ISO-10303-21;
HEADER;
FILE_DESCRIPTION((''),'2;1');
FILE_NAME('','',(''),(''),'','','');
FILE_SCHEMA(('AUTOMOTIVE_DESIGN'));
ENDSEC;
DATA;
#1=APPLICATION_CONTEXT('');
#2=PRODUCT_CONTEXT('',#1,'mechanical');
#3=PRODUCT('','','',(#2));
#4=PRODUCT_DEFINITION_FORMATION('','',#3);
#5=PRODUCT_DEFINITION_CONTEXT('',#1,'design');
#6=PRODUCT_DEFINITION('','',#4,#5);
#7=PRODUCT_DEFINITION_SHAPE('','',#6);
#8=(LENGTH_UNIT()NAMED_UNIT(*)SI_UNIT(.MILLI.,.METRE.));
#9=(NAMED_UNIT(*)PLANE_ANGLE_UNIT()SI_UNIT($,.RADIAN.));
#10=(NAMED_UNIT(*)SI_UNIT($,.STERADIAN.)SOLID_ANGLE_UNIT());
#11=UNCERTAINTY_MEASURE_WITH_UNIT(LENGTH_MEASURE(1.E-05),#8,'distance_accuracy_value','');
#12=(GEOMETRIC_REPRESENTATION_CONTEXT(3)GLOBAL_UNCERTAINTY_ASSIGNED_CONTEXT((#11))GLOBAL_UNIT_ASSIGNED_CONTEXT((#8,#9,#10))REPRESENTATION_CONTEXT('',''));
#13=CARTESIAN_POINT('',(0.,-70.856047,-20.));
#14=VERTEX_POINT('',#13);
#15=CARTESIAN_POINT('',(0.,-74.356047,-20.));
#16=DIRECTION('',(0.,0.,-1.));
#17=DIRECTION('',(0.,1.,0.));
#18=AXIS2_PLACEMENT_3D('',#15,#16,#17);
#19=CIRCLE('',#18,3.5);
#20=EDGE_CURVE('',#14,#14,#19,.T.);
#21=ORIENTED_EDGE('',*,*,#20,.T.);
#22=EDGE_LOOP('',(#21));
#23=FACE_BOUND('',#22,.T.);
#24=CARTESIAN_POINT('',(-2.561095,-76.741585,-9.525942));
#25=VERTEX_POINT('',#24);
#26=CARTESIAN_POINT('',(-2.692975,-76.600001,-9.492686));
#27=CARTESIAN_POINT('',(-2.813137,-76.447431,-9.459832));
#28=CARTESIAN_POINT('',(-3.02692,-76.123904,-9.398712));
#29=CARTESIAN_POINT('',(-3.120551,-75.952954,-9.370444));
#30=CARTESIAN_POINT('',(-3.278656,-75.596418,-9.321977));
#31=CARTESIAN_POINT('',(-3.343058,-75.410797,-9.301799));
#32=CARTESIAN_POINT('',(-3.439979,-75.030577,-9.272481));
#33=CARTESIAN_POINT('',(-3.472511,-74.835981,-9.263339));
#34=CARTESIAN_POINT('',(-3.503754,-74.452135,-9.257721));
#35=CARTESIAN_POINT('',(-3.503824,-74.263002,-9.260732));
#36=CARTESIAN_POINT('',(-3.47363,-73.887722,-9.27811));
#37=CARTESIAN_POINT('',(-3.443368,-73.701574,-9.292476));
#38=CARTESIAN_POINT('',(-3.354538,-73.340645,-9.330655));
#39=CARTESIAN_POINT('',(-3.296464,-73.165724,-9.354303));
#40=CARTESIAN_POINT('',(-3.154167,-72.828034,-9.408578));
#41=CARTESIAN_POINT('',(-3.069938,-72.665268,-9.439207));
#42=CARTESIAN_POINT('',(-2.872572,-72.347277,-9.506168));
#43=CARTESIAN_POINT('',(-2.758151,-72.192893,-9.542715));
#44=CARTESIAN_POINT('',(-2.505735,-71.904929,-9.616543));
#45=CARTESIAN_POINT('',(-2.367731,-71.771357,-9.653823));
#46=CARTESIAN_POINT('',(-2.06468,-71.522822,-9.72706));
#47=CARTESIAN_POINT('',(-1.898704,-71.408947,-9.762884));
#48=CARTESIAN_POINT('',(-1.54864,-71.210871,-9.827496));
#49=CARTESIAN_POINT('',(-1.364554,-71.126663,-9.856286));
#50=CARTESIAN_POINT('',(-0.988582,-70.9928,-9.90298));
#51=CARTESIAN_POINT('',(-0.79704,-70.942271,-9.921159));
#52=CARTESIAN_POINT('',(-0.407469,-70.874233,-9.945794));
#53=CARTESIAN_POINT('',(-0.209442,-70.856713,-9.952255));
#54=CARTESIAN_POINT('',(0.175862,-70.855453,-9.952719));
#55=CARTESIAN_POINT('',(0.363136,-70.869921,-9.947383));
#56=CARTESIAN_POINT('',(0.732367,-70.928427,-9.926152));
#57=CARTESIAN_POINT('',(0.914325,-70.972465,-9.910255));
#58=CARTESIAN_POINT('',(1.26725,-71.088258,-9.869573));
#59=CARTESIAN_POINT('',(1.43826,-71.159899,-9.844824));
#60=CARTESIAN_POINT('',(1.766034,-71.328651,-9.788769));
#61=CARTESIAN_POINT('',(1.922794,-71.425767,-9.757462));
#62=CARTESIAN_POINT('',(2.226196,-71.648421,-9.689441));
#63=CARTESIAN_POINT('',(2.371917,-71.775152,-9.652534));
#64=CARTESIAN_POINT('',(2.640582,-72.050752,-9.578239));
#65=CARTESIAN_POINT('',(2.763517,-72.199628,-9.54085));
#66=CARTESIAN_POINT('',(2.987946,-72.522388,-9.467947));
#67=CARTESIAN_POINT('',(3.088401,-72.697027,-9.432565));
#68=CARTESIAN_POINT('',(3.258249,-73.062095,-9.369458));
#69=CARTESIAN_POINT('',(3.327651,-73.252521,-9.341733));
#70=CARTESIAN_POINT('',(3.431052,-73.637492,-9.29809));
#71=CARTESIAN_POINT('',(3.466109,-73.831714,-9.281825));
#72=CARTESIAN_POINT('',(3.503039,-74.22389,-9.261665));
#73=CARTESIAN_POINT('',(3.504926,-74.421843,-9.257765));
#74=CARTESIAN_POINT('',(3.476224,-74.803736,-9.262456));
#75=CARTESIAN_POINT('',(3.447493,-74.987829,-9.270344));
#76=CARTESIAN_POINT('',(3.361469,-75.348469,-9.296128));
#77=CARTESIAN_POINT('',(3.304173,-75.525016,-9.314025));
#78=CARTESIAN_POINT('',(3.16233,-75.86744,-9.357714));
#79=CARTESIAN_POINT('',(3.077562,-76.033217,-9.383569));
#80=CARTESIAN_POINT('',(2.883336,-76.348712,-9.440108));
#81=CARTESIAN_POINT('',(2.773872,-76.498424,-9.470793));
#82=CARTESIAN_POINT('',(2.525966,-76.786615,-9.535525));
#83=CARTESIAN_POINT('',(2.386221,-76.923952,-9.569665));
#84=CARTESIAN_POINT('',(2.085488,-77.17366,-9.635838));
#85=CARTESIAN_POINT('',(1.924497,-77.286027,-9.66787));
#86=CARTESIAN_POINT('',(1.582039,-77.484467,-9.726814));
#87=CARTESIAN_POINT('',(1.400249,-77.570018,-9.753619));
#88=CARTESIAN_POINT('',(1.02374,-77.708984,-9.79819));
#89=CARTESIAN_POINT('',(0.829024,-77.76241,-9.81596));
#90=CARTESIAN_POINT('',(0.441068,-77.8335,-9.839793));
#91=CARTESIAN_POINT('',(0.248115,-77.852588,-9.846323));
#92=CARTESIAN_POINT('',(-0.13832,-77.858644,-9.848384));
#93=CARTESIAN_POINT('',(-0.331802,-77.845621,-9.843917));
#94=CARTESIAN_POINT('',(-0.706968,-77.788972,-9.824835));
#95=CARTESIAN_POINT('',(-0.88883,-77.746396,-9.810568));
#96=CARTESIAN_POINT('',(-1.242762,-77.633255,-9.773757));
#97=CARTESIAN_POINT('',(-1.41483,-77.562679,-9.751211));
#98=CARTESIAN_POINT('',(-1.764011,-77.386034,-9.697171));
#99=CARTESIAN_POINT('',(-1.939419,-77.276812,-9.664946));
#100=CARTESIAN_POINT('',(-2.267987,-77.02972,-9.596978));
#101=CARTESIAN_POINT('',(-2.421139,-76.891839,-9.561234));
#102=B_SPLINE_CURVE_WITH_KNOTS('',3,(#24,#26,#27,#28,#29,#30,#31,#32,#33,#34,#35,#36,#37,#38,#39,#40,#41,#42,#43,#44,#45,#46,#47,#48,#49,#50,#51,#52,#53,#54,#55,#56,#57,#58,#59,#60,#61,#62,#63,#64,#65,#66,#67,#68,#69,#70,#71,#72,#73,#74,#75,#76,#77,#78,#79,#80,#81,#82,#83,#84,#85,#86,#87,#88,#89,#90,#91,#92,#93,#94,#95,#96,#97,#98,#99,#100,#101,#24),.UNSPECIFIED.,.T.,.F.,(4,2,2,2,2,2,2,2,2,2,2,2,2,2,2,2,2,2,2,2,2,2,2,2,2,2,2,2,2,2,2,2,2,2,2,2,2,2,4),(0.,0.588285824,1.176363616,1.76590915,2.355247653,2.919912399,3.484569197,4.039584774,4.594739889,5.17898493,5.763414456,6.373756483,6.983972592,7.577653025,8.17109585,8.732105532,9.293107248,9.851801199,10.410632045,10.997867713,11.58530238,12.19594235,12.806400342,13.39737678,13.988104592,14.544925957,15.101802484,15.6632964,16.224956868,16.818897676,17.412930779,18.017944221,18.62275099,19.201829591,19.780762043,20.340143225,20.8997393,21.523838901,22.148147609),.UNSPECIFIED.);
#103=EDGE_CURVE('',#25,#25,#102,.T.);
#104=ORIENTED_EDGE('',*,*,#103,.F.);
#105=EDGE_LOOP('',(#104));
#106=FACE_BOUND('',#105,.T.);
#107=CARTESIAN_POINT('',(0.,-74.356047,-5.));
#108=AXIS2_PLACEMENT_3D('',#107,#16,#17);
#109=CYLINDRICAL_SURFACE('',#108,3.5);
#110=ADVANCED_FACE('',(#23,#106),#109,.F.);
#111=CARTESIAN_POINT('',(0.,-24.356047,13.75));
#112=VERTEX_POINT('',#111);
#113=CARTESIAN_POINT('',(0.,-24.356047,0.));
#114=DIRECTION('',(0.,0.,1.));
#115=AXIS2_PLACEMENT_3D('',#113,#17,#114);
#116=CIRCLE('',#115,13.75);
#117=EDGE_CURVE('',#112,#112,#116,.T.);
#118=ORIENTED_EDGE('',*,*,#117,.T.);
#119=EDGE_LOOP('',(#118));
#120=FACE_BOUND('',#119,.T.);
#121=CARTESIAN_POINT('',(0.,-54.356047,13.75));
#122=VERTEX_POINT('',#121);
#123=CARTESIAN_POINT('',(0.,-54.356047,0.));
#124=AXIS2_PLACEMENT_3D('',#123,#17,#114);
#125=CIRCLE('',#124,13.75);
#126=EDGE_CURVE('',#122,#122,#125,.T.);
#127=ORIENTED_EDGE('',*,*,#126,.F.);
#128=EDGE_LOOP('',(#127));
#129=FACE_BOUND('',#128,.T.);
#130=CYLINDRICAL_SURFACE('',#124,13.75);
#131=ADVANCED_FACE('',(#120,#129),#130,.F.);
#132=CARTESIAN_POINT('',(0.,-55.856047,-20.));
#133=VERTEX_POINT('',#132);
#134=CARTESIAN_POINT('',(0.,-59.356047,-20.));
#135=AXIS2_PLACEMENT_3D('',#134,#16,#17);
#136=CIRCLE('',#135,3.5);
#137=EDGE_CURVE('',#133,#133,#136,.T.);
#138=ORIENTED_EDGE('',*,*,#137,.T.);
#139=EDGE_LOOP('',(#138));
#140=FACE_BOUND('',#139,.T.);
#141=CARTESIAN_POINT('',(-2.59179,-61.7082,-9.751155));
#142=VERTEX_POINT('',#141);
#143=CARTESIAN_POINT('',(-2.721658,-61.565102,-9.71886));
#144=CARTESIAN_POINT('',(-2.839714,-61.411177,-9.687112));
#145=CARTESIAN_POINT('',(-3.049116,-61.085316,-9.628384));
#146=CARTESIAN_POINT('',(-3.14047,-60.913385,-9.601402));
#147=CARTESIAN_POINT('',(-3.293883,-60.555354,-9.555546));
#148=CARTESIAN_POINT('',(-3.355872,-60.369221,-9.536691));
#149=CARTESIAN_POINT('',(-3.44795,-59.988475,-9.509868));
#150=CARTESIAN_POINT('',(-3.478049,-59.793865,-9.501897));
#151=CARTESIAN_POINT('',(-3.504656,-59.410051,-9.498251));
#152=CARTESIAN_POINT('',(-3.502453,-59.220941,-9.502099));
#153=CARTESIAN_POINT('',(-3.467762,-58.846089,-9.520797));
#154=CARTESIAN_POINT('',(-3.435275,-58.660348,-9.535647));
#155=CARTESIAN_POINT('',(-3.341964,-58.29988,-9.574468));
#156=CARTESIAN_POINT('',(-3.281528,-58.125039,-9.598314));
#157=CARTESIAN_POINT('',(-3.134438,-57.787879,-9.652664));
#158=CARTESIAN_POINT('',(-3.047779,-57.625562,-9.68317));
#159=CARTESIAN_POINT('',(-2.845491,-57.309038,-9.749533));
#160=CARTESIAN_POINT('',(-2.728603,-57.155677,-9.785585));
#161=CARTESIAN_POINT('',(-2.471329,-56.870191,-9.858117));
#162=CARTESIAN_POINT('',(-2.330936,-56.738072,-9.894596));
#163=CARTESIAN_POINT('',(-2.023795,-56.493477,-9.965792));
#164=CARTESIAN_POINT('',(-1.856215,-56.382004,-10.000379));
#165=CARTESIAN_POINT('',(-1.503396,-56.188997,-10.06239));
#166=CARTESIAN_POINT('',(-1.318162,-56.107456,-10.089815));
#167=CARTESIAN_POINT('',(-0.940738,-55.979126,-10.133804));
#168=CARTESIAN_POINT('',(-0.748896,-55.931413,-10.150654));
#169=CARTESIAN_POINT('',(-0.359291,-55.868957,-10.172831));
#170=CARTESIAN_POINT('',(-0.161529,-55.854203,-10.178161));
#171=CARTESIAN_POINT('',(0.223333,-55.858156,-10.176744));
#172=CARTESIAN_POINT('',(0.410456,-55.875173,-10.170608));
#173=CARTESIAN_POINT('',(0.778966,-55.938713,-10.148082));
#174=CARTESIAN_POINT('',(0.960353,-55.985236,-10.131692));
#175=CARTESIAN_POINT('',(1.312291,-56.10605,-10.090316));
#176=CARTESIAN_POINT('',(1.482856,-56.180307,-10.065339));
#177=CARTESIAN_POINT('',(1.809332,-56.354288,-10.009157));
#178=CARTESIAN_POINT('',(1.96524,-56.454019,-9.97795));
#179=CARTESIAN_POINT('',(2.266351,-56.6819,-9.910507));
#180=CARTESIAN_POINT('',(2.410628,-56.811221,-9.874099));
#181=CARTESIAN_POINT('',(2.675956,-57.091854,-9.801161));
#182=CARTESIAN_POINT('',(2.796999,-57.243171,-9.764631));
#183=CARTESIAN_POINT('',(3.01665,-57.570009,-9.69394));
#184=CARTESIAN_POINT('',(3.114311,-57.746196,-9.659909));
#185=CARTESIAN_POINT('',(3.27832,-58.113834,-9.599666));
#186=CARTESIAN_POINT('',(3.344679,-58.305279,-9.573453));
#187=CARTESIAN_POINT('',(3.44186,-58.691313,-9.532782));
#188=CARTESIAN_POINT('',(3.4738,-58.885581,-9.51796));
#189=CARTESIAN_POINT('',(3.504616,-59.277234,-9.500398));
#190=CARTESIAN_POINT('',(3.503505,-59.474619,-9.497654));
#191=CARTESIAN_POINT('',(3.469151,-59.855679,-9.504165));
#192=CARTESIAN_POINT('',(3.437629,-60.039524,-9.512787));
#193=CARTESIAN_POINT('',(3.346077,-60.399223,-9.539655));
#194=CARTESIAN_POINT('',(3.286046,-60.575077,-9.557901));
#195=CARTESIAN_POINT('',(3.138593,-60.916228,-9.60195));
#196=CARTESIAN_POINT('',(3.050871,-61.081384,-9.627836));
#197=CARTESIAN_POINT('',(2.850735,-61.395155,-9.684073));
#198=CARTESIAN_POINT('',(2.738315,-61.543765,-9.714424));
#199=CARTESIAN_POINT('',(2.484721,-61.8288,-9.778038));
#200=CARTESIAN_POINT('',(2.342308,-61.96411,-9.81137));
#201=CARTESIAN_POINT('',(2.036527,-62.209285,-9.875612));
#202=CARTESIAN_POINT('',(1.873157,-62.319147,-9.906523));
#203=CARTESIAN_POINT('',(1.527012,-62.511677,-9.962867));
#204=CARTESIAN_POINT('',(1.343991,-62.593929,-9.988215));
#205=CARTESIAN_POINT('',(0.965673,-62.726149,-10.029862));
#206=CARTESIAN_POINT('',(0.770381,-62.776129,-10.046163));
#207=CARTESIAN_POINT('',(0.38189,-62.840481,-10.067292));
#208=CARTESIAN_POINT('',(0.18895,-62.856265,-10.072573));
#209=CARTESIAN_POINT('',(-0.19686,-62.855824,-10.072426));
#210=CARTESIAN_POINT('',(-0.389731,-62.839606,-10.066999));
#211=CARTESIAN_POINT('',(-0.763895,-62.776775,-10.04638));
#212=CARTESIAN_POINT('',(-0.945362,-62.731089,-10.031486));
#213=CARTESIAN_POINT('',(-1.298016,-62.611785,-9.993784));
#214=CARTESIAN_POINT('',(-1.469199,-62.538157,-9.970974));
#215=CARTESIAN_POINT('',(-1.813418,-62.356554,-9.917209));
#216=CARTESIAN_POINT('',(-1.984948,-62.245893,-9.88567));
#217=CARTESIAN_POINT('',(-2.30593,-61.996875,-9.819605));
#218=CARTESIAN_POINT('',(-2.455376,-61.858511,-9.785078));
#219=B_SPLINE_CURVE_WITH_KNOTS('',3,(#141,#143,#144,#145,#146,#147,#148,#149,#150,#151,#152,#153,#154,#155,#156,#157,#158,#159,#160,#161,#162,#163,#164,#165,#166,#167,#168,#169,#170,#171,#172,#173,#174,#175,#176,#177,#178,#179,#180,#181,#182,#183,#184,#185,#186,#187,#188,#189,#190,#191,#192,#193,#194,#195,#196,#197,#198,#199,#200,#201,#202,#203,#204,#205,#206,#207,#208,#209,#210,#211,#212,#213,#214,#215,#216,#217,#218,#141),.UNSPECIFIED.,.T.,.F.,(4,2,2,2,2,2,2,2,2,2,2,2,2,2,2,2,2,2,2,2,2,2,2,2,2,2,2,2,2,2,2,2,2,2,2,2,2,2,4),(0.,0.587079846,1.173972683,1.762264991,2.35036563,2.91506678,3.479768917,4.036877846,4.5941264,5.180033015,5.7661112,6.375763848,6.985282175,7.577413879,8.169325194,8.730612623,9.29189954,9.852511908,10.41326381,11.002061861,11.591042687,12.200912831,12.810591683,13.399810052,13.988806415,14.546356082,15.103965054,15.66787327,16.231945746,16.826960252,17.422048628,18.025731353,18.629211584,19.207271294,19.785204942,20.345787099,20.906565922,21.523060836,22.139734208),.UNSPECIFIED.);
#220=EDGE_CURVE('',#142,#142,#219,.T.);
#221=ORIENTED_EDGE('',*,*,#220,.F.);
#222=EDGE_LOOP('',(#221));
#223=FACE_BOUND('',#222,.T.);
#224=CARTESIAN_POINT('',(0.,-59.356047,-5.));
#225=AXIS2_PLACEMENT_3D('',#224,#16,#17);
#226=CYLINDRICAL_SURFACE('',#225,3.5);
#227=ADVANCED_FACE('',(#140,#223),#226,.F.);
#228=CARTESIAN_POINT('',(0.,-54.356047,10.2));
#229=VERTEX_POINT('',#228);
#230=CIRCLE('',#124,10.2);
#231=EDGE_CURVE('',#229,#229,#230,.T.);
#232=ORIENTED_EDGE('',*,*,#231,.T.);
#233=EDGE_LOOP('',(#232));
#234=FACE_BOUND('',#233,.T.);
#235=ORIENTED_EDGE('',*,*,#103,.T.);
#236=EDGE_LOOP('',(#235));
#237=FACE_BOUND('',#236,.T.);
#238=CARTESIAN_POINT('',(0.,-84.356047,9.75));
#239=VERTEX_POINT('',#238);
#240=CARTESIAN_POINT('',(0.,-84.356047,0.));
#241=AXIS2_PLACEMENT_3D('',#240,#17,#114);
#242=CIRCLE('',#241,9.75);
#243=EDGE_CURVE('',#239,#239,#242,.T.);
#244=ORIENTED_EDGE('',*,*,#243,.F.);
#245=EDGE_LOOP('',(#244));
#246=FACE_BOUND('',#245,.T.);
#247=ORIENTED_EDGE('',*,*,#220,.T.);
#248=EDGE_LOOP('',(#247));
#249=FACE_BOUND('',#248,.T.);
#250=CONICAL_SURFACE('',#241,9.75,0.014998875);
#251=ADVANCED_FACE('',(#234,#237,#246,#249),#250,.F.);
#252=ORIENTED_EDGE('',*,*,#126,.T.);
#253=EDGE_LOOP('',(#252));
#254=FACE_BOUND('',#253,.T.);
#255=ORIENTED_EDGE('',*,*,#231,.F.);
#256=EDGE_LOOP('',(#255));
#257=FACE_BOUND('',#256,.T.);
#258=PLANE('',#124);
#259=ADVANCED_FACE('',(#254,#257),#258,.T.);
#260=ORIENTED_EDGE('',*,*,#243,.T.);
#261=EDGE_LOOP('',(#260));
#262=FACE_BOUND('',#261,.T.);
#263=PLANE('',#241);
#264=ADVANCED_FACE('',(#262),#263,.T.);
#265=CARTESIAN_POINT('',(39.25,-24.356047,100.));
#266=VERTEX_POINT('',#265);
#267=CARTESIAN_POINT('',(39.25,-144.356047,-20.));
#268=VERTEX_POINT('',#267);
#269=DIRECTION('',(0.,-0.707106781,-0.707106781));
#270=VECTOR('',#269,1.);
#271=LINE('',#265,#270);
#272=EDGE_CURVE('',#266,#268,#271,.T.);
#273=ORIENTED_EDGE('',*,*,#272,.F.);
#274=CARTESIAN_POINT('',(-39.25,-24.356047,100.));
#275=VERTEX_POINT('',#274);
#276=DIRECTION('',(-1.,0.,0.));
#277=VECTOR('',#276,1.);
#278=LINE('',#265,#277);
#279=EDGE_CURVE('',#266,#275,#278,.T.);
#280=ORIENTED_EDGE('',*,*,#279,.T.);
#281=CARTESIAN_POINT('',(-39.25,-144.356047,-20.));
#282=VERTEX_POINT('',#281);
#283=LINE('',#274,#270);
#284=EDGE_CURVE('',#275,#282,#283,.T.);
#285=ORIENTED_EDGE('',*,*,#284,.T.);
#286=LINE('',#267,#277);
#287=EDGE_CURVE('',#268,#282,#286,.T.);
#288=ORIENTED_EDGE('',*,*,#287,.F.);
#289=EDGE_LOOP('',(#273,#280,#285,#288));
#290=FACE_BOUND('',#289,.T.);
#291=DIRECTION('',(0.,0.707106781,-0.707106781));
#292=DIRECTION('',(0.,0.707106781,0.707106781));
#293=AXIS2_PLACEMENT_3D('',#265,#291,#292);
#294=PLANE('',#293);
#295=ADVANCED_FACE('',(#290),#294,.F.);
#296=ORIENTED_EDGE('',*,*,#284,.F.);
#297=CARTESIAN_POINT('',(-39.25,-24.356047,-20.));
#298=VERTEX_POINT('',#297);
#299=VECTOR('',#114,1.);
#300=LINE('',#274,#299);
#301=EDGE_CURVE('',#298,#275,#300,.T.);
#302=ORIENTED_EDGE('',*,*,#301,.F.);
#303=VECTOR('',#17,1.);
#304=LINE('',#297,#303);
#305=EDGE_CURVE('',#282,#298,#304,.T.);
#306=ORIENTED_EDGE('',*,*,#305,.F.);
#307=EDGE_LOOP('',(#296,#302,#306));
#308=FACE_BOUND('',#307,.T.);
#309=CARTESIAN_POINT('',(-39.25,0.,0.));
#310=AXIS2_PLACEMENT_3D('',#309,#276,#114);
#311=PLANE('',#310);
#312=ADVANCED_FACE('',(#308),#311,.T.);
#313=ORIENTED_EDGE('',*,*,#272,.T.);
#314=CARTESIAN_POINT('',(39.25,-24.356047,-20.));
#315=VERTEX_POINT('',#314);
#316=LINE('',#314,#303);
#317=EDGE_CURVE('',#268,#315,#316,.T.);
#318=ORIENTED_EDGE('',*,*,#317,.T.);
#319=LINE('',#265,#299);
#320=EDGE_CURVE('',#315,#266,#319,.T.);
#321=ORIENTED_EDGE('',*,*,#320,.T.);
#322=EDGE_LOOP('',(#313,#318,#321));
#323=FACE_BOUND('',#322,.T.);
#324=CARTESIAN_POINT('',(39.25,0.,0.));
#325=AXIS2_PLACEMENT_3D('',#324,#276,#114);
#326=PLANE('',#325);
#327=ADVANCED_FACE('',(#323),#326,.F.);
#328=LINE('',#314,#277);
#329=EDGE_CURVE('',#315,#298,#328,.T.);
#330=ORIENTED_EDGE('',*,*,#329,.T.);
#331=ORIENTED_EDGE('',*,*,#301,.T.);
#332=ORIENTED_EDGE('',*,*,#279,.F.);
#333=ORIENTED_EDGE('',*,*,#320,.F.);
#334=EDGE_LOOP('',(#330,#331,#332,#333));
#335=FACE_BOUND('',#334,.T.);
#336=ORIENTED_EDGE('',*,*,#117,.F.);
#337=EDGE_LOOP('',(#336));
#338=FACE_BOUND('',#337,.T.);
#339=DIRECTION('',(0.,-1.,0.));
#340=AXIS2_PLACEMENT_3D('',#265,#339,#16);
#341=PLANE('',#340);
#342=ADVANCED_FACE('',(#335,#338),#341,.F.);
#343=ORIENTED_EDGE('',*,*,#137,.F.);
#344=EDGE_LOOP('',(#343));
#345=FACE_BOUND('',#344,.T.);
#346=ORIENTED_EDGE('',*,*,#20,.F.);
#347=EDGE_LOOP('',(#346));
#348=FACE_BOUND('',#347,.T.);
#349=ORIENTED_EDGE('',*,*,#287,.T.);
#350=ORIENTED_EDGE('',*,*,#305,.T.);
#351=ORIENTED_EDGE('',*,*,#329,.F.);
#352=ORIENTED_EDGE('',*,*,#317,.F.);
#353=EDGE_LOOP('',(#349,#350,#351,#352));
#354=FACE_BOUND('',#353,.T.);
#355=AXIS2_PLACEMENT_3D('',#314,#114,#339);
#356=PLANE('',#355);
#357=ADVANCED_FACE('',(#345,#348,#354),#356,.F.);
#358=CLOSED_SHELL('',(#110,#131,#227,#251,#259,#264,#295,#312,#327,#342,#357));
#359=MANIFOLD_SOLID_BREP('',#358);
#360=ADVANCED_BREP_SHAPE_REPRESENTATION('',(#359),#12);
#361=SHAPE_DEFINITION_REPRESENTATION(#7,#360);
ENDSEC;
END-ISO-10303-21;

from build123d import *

# Parameters (mm, degrees)
BOSS_EXTRUDE1_DEPTH = 39.25
SKETCH4_R           = 13.75
CUT_EXTRUDE1_DEPTH  = 30
SKETCH7_R           = 9.75
SKETCH6_R           = 10.2
SKETCH5_R           = 3.5
CUT_EXTRUDE2_DEPTH  = 15


with BuildPart() as part:
    # Sketch2 → Boss-Extrude1 (new, symmetric)
    with BuildSketch(Plane(origin=(0, 0, 0), x_dir=(0, 0, -1), z_dir=(1, 0, 0))):
        Polygon((-100, -24.35604681), (20, -144.35604681), (20, -24.35604681), align=None)
    extrude(amount=BOSS_EXTRUDE1_DEPTH, both=True)

    # Sketch4 → Cut-Extrude1 (cut)
    with BuildSketch(Plane(origin=(0, -24.35604681, 0), x_dir=(1, 0, 0), z_dir=(0, 1, 0))):
        with Locations(Location((0, 0, 0), (0, 0, 270))):
            Circle(SKETCH4_R)
    extrude(amount=-CUT_EXTRUDE1_DEPTH, mode=Mode.SUBTRACT)

    # Sketch7 → Cut-Loft1 section 0
    with BuildSketch(Plane(origin=(0, -84.35604681, 0), x_dir=(1, 0, 0), z_dir=(0, 1, 0))):
        Circle(SKETCH7_R)
    # Sketch6 → Cut-Loft1 section 1
    with BuildSketch(Plane(origin=(0, -54.35604681, 0), x_dir=(1, 0, 0), z_dir=(0, 1, 0))):
        Circle(SKETCH6_R)
    loft(mode=Mode.SUBTRACT)

    # Sketch5 → Cut-Extrude2 (cut)
    with BuildSketch(Plane(origin=(0, 0, -20), x_dir=(-1, 0, 0), z_dir=(0, 0, -1))):
        with Locations(Location((0, -59.35604681, 0), (0, 0, 90))):
            Circle(SKETCH5_R)
        with Locations(Location((0, -74.35604681, 0), (0, 0, 90))):
            Circle(SKETCH5_R)
    extrude(amount=-CUT_EXTRUDE2_DEPTH, mode=Mode.SUBTRACT)


solid = part.part
